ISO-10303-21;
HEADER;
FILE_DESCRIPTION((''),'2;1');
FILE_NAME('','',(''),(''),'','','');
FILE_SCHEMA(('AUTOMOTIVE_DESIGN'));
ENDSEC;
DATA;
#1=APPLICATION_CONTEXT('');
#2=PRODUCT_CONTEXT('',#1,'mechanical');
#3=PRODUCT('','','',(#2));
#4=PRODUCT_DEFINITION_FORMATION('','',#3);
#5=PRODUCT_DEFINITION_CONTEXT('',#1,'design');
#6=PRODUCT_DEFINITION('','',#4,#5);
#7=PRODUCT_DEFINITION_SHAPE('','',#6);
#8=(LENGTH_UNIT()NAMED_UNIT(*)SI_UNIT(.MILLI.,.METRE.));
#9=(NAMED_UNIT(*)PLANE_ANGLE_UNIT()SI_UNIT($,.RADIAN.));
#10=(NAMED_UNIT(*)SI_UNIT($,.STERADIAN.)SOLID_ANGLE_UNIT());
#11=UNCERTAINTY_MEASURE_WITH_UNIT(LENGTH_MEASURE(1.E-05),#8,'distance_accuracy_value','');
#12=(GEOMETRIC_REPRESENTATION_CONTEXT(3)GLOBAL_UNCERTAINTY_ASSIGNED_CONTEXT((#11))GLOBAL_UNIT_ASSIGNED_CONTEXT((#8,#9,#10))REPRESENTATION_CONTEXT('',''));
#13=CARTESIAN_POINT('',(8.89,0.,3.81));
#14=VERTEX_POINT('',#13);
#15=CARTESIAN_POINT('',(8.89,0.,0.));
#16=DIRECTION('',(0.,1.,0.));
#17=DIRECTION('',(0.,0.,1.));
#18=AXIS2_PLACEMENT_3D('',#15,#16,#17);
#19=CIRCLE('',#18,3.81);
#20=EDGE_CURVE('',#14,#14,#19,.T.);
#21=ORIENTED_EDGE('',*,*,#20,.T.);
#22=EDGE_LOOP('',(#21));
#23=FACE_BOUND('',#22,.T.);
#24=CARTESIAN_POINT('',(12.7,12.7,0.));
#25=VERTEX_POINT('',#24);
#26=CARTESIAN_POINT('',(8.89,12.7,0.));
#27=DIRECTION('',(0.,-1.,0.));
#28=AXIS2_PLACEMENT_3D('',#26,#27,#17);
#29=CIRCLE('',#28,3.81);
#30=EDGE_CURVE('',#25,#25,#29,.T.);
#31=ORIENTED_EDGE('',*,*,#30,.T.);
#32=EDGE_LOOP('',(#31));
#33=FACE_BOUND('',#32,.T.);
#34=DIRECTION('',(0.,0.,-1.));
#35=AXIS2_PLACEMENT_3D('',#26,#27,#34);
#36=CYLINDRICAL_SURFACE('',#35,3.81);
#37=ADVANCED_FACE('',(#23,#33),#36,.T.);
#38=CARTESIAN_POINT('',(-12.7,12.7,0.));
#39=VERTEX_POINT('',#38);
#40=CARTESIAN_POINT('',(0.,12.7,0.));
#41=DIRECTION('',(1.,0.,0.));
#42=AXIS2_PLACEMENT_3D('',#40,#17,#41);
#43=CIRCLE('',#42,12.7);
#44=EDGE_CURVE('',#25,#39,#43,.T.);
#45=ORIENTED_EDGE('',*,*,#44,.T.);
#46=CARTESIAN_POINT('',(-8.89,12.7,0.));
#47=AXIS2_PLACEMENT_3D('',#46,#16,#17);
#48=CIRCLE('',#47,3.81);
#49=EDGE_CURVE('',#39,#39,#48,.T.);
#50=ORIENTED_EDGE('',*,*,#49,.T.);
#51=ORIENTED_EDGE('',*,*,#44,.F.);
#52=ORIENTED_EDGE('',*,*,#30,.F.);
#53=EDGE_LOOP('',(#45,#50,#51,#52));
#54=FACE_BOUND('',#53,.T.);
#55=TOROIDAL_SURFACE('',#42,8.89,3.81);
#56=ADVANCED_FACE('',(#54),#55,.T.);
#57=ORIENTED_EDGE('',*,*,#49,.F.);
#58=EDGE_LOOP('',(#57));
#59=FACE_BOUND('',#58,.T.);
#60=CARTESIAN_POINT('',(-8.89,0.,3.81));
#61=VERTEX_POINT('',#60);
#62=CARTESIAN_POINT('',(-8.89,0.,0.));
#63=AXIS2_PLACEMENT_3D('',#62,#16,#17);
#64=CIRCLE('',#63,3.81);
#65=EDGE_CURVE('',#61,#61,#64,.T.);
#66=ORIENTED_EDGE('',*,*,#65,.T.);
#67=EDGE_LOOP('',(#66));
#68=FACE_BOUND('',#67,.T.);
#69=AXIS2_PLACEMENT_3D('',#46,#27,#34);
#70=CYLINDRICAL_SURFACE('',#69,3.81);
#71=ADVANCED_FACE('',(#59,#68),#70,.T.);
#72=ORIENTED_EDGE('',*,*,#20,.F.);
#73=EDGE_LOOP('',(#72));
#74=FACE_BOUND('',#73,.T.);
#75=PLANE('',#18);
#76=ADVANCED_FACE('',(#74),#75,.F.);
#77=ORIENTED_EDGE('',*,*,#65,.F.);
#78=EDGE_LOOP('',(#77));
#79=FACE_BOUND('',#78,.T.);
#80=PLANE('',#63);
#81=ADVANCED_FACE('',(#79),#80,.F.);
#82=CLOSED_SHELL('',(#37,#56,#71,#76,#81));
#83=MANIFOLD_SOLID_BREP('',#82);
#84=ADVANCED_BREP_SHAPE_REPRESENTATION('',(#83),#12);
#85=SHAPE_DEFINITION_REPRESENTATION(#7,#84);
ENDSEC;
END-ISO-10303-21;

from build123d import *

# Parameters (mm, degrees)
SKETCH1_R             = 3.81
BOSS_EXTRUDE1_DEPTH   = 12.7
BOSS_EXTRUDE1_2_DEPTH = 12.7
SKETCH3_R             = 3.81
REVOLVE1_ANGLE        = 180


with BuildPart() as part:
    # Sketch1 → Boss-Extrude1 (new body)
    with BuildSketch(Plane(origin=(0, 0, 0), x_dir=(1, 0, 0), z_dir=(0, 1, 0))):
        with Locations(Location((-8.89, 0, 0), (0, 0, 270))):
            Circle(SKETCH1_R)
    extrude(amount=BOSS_EXTRUDE1_DEPTH)



with BuildPart() as body_2:
    # Sketch1 → Boss-Extrude1 2 (new body)
    with BuildSketch(Plane(origin=(0, 0, 0), x_dir=(1, 0, 0), z_dir=(0, 1, 0))):
        with Locations(Location((8.89, 0, 0), (0, 0, 270))):
            Circle(SKETCH1_R)
    extrude(amount=BOSS_EXTRUDE1_2_DEPTH)


with BuildPart() as part_1:
    add(part.part)

    add(body_2.part)  # Revolve1 merges body 2
    # Sketch3 → Revolve1 (revolve)
    with BuildSketch(Plane(origin=(0, 12.7, 0), x_dir=(1, 0, 0), z_dir=(0, 1, 0))):
        with Locations(Location((-8.89, 0, 0), (0, 0, 180))):
            Circle(SKETCH3_R)
    revolve(axis=Axis((0, 12.7, -9.3183346), (0, 0, -1)), revolution_arc=REVOLVE1_ANGLE)


solid = part_1.part
